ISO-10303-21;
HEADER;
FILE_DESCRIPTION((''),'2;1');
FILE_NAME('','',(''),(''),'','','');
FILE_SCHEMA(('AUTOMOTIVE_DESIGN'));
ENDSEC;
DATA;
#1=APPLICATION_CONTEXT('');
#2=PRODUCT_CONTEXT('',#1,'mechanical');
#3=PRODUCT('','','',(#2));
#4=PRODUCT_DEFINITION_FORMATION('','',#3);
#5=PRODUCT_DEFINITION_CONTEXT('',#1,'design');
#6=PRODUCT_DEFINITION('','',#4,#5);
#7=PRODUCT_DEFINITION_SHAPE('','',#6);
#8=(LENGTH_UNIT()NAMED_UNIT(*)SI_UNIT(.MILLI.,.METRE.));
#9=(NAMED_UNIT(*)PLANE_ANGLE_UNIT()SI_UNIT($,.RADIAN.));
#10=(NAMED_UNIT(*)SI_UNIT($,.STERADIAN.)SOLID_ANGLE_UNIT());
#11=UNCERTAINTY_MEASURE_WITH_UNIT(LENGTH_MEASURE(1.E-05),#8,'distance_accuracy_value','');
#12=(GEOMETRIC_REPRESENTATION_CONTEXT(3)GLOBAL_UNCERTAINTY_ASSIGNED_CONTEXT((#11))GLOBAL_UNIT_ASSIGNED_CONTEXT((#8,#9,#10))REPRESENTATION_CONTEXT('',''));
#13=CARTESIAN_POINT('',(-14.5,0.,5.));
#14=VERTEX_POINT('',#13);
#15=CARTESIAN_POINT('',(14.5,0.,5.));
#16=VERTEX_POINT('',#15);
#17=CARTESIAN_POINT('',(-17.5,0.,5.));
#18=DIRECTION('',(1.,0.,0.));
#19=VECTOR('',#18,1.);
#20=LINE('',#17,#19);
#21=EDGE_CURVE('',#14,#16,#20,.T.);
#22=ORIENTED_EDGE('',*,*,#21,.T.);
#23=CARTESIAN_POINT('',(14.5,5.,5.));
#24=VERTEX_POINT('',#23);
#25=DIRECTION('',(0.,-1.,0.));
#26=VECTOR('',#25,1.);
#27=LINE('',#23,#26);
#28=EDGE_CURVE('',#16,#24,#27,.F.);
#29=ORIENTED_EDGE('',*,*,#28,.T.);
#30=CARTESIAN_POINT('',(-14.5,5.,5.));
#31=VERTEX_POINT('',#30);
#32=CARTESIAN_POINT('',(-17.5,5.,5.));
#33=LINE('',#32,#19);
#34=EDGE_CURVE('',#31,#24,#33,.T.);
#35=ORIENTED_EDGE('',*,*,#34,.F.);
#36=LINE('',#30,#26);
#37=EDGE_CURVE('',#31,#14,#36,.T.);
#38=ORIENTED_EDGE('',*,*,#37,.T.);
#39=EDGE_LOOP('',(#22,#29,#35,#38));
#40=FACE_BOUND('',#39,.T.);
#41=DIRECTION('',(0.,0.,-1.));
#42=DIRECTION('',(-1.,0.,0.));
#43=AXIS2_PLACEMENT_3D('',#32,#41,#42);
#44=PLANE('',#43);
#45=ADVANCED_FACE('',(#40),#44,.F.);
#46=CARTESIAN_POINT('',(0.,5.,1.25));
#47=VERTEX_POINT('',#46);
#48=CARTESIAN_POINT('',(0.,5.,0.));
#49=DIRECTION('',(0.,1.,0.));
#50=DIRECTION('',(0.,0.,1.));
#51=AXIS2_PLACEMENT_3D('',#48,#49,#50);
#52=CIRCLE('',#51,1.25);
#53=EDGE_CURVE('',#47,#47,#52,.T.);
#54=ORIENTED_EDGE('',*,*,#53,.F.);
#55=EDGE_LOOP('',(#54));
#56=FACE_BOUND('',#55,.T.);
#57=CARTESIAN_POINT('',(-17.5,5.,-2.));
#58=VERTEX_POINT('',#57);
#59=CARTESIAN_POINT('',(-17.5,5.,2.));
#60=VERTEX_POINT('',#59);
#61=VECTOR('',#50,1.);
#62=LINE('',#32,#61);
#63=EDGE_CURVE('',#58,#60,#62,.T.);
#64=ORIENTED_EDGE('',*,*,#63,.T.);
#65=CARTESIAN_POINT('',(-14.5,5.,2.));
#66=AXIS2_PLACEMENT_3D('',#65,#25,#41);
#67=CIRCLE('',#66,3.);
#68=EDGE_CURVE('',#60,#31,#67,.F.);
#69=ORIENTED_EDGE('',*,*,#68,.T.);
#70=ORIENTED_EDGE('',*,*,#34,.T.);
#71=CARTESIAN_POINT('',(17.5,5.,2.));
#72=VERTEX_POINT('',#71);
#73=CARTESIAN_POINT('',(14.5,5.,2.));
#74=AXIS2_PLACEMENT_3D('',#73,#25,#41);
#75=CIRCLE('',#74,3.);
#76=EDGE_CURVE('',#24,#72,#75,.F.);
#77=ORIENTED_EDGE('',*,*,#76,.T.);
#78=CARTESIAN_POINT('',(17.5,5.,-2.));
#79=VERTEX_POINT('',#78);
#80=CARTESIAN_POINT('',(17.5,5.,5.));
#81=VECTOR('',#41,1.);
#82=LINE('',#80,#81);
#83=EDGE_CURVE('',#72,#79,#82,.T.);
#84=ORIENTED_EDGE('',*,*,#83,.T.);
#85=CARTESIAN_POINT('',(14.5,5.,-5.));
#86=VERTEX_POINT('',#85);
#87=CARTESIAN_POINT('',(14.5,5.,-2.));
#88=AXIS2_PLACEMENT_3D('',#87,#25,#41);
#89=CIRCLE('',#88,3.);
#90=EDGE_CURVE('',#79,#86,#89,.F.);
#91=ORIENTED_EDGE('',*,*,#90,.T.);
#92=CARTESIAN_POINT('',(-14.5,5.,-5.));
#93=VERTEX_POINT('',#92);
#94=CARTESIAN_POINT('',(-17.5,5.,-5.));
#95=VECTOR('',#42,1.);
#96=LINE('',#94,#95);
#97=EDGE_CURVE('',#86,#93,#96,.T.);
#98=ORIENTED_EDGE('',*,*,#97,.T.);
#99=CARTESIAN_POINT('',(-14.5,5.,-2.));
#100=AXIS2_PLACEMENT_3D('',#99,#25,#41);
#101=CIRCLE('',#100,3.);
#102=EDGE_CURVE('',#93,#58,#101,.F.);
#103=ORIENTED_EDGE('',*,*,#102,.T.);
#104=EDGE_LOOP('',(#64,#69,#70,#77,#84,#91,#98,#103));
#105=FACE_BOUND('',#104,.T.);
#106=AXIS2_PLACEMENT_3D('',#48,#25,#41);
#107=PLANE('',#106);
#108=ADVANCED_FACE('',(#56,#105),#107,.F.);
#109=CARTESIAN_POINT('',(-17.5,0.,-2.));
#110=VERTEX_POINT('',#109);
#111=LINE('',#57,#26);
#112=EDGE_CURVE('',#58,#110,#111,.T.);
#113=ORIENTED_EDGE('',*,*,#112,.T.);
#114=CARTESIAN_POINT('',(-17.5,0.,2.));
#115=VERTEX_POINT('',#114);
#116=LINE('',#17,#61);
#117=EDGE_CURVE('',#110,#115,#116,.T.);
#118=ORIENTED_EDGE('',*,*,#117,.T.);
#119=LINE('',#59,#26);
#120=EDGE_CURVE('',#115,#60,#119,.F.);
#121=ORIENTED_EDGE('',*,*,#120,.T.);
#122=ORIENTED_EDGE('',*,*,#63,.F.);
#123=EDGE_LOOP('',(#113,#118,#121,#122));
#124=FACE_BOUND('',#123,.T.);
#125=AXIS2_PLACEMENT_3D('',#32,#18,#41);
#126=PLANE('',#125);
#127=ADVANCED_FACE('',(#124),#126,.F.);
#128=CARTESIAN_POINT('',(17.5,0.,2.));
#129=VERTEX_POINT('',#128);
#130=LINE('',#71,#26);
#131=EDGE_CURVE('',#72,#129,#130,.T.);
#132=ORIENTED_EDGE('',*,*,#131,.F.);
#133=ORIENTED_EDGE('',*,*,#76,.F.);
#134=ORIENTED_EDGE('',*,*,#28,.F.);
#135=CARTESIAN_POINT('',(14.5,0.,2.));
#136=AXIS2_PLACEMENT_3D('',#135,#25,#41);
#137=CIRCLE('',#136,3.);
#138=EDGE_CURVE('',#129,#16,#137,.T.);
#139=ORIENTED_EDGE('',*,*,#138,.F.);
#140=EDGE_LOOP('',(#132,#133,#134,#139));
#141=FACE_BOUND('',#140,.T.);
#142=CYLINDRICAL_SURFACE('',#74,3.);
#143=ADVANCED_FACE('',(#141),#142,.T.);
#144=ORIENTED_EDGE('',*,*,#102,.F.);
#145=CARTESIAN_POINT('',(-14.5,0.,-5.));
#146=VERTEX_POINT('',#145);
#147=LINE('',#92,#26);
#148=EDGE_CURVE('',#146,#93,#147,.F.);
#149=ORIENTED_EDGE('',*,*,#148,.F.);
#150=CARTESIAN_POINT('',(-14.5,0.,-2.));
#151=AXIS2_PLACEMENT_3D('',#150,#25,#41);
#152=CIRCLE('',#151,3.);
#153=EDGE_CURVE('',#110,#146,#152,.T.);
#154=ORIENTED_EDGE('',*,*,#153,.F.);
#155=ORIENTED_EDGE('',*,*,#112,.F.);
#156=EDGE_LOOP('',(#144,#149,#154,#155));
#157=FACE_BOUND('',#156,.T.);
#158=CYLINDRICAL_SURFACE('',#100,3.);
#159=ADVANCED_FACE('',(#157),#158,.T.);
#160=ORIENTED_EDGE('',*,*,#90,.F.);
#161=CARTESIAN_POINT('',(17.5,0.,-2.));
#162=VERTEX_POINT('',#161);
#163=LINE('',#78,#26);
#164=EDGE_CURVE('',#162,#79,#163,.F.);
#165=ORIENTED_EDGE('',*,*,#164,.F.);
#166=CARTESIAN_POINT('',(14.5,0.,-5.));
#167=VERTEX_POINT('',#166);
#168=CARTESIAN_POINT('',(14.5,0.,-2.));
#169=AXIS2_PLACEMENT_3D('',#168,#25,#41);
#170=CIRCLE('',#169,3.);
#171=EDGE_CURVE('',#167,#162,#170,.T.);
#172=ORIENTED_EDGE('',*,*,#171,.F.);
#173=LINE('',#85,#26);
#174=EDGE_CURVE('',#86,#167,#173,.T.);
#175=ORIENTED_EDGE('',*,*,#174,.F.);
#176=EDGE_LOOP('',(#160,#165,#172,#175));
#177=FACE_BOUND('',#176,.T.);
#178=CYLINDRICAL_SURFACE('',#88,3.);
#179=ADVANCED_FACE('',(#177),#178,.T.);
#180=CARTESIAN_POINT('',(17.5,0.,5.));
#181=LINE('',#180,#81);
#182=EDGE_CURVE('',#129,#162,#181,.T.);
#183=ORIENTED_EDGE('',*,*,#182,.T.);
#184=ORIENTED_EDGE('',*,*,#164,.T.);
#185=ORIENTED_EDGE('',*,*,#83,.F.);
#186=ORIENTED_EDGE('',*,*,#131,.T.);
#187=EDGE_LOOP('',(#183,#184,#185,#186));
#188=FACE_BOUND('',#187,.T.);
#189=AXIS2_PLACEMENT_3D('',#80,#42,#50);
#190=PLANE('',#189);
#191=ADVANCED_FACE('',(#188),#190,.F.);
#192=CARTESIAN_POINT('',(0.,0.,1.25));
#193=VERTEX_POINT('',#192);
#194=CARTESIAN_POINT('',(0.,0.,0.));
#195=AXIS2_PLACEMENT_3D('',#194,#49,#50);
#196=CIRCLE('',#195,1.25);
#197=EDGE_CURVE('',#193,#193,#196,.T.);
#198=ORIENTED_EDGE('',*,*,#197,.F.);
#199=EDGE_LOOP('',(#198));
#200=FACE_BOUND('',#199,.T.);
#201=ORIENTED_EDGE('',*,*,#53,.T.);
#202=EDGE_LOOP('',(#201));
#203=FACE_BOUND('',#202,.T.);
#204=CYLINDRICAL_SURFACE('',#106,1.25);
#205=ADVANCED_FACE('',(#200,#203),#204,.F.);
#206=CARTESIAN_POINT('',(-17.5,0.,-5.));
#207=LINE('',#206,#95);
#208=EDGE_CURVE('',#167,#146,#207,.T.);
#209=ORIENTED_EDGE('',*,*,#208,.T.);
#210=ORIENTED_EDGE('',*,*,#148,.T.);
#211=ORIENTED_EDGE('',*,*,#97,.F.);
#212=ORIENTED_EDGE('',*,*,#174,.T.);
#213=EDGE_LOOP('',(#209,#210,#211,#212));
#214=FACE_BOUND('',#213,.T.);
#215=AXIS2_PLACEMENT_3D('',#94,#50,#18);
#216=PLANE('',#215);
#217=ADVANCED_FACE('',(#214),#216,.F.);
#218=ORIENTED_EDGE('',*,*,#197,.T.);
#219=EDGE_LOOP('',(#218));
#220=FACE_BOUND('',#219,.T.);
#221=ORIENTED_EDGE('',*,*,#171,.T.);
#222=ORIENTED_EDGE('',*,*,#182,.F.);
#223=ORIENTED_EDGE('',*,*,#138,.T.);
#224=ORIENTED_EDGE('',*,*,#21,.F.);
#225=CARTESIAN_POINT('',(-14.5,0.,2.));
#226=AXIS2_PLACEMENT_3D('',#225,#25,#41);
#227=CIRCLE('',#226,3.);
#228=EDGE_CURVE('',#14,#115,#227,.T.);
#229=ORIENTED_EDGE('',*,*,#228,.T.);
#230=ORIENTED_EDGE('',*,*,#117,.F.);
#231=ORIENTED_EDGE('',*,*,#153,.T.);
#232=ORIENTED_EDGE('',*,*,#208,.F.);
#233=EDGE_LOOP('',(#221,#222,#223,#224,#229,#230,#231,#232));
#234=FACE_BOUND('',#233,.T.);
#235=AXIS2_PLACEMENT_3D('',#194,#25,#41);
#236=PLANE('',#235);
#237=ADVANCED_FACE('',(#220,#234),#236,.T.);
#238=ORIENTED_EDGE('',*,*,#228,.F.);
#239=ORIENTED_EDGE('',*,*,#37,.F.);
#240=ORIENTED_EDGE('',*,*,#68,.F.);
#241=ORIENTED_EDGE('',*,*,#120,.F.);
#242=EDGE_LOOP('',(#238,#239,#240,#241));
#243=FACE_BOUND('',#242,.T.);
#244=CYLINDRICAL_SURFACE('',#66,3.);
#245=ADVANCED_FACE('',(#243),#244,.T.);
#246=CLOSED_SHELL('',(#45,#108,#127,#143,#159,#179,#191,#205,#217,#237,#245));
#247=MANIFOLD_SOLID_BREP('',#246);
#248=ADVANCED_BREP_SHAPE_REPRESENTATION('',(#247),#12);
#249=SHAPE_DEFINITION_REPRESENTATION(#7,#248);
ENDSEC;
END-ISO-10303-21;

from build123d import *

# Parameters (mm, degrees)
SKETCH_1_W      = 35
SKETCH_1_H      = 10
SKETCH_1_R      = 1.25
EXTRUDE_1_DEPTH = 5
FILLET_1_R      = 3


with BuildPart() as part:
    # Эскиз1 → Бобышка-Вытянуть1 (new body)
    with BuildSketch(Plane(origin=(0, 0, 0), x_dir=(1, 0, 0), z_dir=(0, 1, 0))):
        Rectangle(SKETCH_1_W, SKETCH_1_H)
        with Locations(Location((0, 0, 0), (0, 0, 270))):
            Circle(SKETCH_1_R, mode=Mode.SUBTRACT)
    extrude(amount=EXTRUDE_1_DEPTH)

    # Скругление1
    fillet_1_edges = [part.edges().sort_by_distance(p)[0] for p in [
        (17.5, 2.5, 5),
        (-17.5, 2.5, 5),
        (-17.5, 2.5, -5),
        (17.5, 2.5, -5),
    ]]
    fillet(fillet_1_edges, radius=FILLET_1_R)


solid = part.part
